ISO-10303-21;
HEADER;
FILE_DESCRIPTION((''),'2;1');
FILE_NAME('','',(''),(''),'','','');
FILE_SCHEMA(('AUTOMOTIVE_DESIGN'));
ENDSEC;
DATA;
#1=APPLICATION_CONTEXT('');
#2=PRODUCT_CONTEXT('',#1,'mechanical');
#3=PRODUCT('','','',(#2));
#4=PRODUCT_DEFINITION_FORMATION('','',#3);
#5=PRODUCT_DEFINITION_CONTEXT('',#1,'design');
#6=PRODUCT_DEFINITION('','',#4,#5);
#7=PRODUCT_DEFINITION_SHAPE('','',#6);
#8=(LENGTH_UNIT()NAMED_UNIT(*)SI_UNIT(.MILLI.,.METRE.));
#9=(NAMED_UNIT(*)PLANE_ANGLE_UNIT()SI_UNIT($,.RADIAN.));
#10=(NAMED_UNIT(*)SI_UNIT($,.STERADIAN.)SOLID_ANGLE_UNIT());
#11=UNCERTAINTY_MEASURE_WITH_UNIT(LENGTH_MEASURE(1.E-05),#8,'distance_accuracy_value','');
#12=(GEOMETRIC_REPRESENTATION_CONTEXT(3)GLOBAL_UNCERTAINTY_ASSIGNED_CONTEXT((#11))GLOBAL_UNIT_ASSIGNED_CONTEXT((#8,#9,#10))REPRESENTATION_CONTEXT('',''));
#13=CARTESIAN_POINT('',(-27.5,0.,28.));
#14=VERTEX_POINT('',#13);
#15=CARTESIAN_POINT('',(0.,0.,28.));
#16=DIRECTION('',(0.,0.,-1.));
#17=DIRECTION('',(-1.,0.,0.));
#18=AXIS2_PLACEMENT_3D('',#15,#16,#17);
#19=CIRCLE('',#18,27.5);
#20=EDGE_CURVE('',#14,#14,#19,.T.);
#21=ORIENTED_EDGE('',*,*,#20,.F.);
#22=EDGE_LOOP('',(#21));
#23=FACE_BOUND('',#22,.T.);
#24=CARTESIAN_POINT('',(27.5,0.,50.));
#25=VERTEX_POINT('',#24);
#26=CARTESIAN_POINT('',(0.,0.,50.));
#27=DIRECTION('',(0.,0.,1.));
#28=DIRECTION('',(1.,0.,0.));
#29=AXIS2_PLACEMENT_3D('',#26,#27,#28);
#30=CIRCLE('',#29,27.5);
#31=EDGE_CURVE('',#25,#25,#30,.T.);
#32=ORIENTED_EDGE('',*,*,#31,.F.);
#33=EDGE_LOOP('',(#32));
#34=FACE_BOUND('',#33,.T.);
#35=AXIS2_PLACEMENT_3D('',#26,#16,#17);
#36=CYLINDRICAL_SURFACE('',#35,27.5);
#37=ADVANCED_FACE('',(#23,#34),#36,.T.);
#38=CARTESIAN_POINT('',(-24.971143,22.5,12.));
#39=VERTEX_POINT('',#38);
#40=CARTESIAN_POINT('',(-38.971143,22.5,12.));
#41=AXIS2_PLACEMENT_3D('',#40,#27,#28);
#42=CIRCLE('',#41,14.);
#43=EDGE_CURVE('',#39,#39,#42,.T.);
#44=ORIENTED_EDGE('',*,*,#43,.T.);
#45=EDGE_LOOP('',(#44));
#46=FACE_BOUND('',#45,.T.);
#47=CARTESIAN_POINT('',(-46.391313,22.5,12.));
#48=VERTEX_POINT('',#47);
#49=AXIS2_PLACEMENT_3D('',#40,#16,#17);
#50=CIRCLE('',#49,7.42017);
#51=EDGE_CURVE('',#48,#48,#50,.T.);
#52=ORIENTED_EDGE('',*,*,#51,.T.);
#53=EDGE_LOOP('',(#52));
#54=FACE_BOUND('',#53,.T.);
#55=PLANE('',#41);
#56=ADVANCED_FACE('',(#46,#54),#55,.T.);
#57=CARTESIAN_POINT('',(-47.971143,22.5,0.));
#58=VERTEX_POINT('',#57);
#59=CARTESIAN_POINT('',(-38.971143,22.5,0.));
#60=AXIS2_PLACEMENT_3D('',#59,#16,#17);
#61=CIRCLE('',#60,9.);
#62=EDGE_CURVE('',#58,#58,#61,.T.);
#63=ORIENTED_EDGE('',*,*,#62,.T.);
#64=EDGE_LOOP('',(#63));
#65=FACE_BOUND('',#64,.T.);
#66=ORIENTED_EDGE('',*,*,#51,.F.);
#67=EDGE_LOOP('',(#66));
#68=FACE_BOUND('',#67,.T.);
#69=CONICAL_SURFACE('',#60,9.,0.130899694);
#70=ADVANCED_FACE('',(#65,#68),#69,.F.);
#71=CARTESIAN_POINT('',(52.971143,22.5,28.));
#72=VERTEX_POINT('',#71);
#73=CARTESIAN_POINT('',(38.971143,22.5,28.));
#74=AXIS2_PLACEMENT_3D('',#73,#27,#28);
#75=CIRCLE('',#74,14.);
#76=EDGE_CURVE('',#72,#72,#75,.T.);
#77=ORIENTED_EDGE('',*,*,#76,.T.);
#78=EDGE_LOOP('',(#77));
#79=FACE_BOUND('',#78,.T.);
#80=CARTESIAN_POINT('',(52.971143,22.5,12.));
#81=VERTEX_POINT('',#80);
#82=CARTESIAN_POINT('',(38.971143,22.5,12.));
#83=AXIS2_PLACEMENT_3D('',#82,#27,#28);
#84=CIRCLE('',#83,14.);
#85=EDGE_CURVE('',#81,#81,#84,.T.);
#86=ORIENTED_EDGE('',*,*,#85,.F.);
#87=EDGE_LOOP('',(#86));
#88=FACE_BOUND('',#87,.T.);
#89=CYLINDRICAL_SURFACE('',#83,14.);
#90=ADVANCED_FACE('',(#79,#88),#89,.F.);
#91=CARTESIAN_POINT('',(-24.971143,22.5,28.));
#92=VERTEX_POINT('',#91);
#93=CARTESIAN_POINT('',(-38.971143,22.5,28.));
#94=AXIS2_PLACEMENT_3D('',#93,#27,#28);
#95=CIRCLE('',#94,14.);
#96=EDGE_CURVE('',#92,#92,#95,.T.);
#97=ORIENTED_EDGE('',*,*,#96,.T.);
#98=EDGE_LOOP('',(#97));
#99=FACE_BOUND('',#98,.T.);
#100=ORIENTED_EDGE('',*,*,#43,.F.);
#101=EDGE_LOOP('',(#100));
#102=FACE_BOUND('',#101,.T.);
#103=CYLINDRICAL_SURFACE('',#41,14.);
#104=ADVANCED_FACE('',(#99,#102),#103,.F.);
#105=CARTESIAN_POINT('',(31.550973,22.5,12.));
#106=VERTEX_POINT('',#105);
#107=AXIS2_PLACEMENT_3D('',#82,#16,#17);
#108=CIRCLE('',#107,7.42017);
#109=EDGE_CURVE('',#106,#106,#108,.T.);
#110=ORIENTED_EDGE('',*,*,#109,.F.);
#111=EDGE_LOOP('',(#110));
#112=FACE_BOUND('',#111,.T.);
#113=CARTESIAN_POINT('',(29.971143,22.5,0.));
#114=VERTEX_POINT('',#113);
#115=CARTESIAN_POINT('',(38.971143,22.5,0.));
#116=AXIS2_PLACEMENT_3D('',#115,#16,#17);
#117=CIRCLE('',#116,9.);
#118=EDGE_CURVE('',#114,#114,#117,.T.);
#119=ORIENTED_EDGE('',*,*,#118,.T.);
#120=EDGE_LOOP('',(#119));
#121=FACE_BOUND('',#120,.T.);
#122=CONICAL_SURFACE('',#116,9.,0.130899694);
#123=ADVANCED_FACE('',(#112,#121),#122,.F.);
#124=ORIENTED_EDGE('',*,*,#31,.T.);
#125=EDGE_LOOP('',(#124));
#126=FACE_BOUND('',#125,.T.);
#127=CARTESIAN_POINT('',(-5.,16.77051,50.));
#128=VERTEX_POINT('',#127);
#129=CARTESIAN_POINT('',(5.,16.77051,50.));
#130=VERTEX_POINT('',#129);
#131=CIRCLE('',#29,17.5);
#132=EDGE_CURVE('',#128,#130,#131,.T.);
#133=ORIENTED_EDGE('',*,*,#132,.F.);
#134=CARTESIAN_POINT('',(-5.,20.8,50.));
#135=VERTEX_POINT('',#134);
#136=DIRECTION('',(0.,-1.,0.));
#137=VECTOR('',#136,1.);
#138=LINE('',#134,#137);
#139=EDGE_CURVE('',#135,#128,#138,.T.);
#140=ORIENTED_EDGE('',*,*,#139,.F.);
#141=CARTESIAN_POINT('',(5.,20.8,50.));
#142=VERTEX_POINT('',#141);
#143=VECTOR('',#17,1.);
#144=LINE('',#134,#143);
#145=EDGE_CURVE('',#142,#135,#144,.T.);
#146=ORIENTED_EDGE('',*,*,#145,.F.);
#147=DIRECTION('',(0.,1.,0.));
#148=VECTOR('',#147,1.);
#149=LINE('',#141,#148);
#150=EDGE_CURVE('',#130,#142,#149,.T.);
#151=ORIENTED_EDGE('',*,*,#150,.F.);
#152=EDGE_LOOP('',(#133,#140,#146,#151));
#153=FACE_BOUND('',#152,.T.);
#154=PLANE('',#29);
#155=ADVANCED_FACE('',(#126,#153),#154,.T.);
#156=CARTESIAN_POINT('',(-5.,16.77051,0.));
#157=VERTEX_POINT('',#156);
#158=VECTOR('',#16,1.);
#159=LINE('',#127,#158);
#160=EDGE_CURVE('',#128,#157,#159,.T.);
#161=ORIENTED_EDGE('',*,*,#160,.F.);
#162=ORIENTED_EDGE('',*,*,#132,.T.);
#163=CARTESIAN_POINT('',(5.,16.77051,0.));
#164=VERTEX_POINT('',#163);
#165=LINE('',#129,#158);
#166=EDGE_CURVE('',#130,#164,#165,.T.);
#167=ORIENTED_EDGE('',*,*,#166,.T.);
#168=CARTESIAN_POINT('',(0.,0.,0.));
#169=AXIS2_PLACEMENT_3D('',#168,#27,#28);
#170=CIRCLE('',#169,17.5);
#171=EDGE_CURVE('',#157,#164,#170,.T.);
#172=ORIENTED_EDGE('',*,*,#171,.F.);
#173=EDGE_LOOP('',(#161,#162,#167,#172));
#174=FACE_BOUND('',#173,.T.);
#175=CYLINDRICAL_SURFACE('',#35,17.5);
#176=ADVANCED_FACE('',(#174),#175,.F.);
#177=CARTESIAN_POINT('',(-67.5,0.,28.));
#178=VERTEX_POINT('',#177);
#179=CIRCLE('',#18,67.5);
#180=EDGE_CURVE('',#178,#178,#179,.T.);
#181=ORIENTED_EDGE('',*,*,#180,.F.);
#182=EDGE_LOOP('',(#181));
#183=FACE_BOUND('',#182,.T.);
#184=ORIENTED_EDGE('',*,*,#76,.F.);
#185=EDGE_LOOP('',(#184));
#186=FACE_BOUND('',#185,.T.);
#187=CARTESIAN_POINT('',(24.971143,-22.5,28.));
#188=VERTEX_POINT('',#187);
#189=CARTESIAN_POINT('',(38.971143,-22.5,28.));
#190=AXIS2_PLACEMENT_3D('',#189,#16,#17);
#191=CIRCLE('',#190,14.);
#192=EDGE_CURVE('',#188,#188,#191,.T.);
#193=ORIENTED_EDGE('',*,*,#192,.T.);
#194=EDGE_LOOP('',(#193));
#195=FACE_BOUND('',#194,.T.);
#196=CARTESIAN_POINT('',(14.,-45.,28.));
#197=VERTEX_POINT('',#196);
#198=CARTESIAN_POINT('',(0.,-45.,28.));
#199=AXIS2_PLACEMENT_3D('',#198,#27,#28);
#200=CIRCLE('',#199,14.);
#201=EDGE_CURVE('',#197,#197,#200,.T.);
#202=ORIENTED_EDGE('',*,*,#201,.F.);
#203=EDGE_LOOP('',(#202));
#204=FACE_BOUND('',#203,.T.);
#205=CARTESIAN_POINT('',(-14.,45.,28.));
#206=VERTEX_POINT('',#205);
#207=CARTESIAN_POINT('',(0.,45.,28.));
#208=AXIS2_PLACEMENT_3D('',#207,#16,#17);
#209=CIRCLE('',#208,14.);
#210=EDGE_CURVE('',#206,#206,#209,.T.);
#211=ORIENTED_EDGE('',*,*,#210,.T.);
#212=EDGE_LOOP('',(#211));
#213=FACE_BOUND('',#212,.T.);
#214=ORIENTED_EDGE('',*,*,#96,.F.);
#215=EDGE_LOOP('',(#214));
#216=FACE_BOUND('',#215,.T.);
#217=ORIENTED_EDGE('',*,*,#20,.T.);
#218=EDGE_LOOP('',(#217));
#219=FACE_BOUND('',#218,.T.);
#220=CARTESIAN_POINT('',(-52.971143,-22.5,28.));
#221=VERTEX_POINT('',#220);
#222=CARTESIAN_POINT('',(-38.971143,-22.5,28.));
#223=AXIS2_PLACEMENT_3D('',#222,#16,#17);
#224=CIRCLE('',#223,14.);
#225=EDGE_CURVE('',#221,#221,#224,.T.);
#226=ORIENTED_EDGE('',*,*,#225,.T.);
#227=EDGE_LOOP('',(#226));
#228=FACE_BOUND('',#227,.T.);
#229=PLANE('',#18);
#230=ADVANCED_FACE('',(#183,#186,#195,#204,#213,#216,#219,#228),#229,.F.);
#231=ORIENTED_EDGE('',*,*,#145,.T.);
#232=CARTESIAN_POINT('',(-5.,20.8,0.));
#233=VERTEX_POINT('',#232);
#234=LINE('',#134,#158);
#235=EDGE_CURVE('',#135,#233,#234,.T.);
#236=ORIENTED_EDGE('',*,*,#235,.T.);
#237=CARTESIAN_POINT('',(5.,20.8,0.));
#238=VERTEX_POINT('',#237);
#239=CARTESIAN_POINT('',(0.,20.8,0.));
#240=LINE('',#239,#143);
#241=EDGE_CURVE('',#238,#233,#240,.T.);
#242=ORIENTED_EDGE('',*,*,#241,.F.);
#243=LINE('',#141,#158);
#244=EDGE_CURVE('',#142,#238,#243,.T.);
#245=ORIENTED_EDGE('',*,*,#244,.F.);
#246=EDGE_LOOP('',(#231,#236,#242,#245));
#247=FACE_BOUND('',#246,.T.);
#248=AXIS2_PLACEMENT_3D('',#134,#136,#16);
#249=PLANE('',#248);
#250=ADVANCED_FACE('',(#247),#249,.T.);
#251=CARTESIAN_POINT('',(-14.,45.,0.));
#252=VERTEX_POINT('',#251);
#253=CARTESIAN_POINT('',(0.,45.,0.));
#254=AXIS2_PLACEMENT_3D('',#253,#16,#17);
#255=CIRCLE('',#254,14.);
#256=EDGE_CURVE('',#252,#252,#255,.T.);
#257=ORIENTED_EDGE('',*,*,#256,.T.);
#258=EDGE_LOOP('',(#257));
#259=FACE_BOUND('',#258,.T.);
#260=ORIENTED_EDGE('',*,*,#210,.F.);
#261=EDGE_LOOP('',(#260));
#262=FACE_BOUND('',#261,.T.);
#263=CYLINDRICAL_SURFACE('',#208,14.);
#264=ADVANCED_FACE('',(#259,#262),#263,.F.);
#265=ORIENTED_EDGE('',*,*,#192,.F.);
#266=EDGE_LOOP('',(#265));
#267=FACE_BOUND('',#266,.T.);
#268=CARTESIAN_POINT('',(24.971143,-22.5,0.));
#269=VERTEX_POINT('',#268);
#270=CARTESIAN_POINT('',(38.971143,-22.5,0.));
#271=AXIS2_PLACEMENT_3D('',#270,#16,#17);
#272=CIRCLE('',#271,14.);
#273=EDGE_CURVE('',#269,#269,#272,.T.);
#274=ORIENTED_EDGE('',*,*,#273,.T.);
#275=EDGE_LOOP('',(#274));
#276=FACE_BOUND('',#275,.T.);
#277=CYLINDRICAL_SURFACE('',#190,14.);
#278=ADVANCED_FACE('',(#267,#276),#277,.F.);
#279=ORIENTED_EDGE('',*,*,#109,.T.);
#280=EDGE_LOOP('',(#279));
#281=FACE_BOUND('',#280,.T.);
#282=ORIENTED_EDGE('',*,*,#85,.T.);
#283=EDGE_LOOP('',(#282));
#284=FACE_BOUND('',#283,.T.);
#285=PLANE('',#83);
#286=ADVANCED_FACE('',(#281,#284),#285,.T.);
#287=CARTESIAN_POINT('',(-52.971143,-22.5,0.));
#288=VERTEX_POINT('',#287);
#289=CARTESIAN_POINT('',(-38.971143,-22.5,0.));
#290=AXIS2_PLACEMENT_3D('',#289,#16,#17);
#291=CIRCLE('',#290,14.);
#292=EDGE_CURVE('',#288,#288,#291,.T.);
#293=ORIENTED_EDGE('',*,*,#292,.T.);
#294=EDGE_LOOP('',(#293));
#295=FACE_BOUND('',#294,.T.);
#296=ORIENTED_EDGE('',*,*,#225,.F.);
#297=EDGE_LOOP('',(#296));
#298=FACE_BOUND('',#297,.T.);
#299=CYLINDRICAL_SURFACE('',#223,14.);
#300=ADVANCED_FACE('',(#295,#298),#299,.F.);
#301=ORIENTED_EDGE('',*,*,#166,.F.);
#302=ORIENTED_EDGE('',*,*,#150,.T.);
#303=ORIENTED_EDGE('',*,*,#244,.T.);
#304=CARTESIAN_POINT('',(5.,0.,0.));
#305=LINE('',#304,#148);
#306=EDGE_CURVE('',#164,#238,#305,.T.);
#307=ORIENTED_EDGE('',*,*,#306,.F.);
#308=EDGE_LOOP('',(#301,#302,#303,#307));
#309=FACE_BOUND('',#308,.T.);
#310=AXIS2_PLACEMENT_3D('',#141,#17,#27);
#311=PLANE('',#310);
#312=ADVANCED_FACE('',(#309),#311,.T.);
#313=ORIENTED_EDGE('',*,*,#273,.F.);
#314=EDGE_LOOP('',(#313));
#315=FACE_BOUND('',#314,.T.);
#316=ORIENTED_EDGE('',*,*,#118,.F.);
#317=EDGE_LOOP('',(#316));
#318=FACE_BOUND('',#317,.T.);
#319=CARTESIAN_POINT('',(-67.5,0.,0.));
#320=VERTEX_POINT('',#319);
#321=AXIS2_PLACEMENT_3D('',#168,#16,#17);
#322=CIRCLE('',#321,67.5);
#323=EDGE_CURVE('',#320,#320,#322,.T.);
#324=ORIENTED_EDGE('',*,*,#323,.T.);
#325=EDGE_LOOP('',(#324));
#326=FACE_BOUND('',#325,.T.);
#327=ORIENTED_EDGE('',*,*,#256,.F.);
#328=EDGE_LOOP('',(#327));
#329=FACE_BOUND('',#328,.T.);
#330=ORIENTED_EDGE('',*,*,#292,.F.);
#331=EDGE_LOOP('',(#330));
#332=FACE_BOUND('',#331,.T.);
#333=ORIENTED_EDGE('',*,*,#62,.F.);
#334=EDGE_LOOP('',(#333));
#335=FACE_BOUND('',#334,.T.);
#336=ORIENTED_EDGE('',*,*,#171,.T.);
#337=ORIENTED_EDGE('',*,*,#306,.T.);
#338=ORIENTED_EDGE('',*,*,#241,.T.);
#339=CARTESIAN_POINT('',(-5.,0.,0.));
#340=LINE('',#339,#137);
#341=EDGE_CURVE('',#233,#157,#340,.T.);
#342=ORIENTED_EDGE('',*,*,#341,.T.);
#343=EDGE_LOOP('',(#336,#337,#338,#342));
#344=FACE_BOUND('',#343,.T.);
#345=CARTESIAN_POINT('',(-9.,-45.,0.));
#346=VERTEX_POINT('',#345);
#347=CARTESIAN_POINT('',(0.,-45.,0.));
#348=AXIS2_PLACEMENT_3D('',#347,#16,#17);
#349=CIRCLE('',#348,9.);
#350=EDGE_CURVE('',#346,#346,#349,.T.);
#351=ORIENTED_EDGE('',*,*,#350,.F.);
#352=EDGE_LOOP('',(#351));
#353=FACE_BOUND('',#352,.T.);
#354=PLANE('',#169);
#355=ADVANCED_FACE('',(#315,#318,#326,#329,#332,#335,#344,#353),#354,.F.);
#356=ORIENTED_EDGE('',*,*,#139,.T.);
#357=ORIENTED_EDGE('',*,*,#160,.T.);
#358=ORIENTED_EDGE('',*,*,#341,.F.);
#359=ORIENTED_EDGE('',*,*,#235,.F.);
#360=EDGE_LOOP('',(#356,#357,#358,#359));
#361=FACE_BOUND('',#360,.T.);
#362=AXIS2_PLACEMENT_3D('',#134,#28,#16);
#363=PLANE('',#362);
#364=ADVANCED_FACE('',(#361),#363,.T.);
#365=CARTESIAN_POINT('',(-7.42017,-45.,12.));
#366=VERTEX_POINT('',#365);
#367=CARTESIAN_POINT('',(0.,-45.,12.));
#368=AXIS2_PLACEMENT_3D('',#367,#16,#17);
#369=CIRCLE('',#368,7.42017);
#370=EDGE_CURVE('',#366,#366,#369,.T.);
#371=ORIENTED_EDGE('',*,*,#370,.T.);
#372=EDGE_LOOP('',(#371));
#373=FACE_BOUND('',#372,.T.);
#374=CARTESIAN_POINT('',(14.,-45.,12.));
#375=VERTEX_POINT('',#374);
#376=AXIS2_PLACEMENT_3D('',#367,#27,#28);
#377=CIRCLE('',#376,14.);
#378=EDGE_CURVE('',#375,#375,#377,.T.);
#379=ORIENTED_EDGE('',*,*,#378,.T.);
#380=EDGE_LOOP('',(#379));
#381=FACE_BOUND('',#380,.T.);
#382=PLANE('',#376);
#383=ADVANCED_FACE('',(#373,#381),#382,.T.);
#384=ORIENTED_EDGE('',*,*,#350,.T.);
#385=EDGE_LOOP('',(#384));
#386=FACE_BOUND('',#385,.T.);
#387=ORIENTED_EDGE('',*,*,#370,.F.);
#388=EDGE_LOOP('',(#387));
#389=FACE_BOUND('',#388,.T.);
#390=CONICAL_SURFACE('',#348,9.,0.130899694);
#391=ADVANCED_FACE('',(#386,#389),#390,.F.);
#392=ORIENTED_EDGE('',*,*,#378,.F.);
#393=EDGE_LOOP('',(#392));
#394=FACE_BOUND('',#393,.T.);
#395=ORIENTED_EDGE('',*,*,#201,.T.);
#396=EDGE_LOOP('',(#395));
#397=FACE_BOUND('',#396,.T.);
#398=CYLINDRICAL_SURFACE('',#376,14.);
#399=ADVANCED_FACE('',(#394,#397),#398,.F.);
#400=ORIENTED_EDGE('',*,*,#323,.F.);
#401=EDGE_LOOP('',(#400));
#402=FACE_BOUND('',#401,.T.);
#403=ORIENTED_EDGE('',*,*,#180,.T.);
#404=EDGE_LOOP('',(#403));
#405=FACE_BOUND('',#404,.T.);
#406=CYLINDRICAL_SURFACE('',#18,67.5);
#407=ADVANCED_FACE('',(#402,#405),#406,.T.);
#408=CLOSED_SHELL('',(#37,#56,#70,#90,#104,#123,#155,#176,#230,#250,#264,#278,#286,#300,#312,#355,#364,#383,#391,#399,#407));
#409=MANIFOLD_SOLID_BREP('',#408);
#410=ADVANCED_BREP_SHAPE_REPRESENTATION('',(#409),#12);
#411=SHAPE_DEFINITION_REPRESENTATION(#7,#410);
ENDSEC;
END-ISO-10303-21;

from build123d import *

# Parameters (mm, degrees)
SKETCH1_R                    = 27.5
BOSS_EXTRUDE1_DEPTH          = 50
SKETCH2_R                    = 67.5
SKETCH2_R_2                  = 14
BOSS_EXTRUDE2_DEPTH          = 28
SKETCH3_R                    = 9
CUT_EXTRUDE1_DEPTH           = 12
CUT_EXTRUDE1_DRAFT           = -7.5
CUT_EXTRUDE1_PROFILE_2_DEPTH = 12
CUT_EXTRUDE1_PROFILE_2_DRAFT = -7.5
CUT_EXTRUDE1_PROFILE_3_DEPTH = 12
CUT_EXTRUDE1_PROFILE_3_DRAFT = -7.5
SKETCH4_R                    = 14
CUT_EXTRUDE2_DEPTH           = 16
CUT_EXTRUDE3_START           = -50
CUT_EXTRUDE3_DEPTH           = 50


with BuildPart() as part:
    # Sketch1 → Boss-Extrude1 (new body)
    with BuildSketch(Plane.XY):
        Circle(SKETCH1_R)
        with BuildLine():
            Line((-5, 20.8), (5, 20.8))
            Line((5, 20.8), (5, 16.770509831))
            ThreePointArc((5, 16.770509831), (0, -17.5), (-5, 16.770509831))
            Line((-5, 16.770509831), (-5, 20.8))
        make_face(mode=Mode.SUBTRACT)
    extrude(amount=BOSS_EXTRUDE1_DEPTH)

    # Sketch2 → Boss-Extrude2 (add)
    with BuildSketch(Plane(origin=(0, 0, 0), x_dir=(-1, 0, 0), z_dir=(0, 0, -1))):
        Circle(SKETCH2_R)
        with Locations((0, 45)):
            Circle(SKETCH2_R_2, mode=Mode.SUBTRACT)
        with Locations((38.97114317, -22.5)):
            Circle(SKETCH2_R_2, mode=Mode.SUBTRACT)
        with Locations((-38.97114317, -22.5)):
            Circle(SKETCH2_R_2, mode=Mode.SUBTRACT)
    extrude(amount=-BOSS_EXTRUDE2_DEPTH)


with BuildPart() as cut_extrude1_tool:
    # Sketch3 → Cut-Extrude1 (with draft: the straight prism first)
    with BuildSketch(Plane(origin=(0, 0, 0), x_dir=(-1, 0, 0), z_dir=(0, 0, -1))):
        with Locations((0, -45)):
            Circle(SKETCH3_R)
    extrude(amount=-CUT_EXTRUDE1_DEPTH)
    # Cut-Extrude1: the draft: its side faces are tilted about the plane it starts from
    cut_extrude1_sides = [cut_extrude1_tool.faces().sort_by_distance(p)[0] for p in [
        (9, -45, 6),
    ]]
    draft(cut_extrude1_sides, Plane(origin=(0, 0, 0), x_dir=(-1, 0, 0), z_dir=(0, 0, -1)), CUT_EXTRUDE1_DRAFT)


with BuildPart() as part_1:
    add(part.part)

    # Cut-Extrude1: cut by cut_extrude1_tool
    add(cut_extrude1_tool.part, mode=Mode.SUBTRACT)


with BuildPart() as cut_extrude1_profile_2_tool:
    # Sketch3 → Cut-Extrude1 profile 2 (with draft: the straight prism first)
    with BuildSketch(Plane(origin=(0, 0, 0), x_dir=(-1, 0, 0), z_dir=(0, 0, -1))):
        with Locations((-38.97114317, 22.5)):
            Circle(SKETCH3_R)
    extrude(amount=-CUT_EXTRUDE1_PROFILE_2_DEPTH)
    # Cut-Extrude1 profile 2: the draft: its side faces are tilted about the plane it starts from
    cut_extrude1_profile_2_sides = [cut_extrude1_profile_2_tool.faces().sort_by_distance(p)[0] for p in [
        (47.97114317, 22.5, 6),
    ]]
    draft(cut_extrude1_profile_2_sides, Plane(origin=(0, 0, 0), x_dir=(-1, 0, 0), z_dir=(0, 0, -1)), CUT_EXTRUDE1_PROFILE_2_DRAFT)


with BuildPart() as part_2:
    add(part_1.part)

    # Cut-Extrude1 profile 2: cut by cut_extrude1_profile_2_tool
    add(cut_extrude1_profile_2_tool.part, mode=Mode.SUBTRACT)


with BuildPart() as cut_extrude1_profile_3_tool:
    # Sketch3 → Cut-Extrude1 profile 3 (with draft: the straight prism first)
    with BuildSketch(Plane(origin=(0, 0, 0), x_dir=(-1, 0, 0), z_dir=(0, 0, -1))):
        with Locations((38.97114317, 22.5)):
            Circle(SKETCH3_R)
    extrude(amount=-CUT_EXTRUDE1_PROFILE_3_DEPTH)
    # Cut-Extrude1 profile 3: the draft: its side faces are tilted about the plane it starts from
    cut_extrude1_profile_3_sides = [cut_extrude1_profile_3_tool.faces().sort_by_distance(p)[0] for p in [
        (-29.97114317, 22.5, 6),
    ]]
    draft(cut_extrude1_profile_3_sides, Plane(origin=(0, 0, 0), x_dir=(-1, 0, 0), z_dir=(0, 0, -1)), CUT_EXTRUDE1_PROFILE_3_DRAFT)


with BuildPart() as part_3:
    add(part_2.part)

    # Cut-Extrude1 profile 3: cut by cut_extrude1_profile_3_tool
    add(cut_extrude1_profile_3_tool.part, mode=Mode.SUBTRACT)

    # Sketch4 → Cut-Extrude2 (cut)
    with BuildSketch(Plane.XY.offset(28)):
        with Locations((0, -45)):
            Circle(SKETCH4_R)
        with Locations((-38.97114317, 22.5)):
            Circle(SKETCH4_R)
        with Locations((38.97114317, 22.5)):
            Circle(SKETCH4_R)
    extrude(amount=-CUT_EXTRUDE2_DEPTH, mode=Mode.SUBTRACT)

    # Sketch7 → Cut-Extrude3 (cut)
    with BuildSketch(Plane.XY.offset(28).offset(CUT_EXTRUDE3_START)):
        with BuildLine():
            Line((-5, 16.770509831), (-5, 20.8))
            Line((-5, 20.8), (5, 20.8))
            Line((5, 20.8), (5, 16.770509831))
            ThreePointArc((5, 16.770509831), (0, -17.5), (-5, 16.770509831))
        make_face()
    extrude(amount=CUT_EXTRUDE3_DEPTH, mode=Mode.SUBTRACT)


solid = part_3.part
